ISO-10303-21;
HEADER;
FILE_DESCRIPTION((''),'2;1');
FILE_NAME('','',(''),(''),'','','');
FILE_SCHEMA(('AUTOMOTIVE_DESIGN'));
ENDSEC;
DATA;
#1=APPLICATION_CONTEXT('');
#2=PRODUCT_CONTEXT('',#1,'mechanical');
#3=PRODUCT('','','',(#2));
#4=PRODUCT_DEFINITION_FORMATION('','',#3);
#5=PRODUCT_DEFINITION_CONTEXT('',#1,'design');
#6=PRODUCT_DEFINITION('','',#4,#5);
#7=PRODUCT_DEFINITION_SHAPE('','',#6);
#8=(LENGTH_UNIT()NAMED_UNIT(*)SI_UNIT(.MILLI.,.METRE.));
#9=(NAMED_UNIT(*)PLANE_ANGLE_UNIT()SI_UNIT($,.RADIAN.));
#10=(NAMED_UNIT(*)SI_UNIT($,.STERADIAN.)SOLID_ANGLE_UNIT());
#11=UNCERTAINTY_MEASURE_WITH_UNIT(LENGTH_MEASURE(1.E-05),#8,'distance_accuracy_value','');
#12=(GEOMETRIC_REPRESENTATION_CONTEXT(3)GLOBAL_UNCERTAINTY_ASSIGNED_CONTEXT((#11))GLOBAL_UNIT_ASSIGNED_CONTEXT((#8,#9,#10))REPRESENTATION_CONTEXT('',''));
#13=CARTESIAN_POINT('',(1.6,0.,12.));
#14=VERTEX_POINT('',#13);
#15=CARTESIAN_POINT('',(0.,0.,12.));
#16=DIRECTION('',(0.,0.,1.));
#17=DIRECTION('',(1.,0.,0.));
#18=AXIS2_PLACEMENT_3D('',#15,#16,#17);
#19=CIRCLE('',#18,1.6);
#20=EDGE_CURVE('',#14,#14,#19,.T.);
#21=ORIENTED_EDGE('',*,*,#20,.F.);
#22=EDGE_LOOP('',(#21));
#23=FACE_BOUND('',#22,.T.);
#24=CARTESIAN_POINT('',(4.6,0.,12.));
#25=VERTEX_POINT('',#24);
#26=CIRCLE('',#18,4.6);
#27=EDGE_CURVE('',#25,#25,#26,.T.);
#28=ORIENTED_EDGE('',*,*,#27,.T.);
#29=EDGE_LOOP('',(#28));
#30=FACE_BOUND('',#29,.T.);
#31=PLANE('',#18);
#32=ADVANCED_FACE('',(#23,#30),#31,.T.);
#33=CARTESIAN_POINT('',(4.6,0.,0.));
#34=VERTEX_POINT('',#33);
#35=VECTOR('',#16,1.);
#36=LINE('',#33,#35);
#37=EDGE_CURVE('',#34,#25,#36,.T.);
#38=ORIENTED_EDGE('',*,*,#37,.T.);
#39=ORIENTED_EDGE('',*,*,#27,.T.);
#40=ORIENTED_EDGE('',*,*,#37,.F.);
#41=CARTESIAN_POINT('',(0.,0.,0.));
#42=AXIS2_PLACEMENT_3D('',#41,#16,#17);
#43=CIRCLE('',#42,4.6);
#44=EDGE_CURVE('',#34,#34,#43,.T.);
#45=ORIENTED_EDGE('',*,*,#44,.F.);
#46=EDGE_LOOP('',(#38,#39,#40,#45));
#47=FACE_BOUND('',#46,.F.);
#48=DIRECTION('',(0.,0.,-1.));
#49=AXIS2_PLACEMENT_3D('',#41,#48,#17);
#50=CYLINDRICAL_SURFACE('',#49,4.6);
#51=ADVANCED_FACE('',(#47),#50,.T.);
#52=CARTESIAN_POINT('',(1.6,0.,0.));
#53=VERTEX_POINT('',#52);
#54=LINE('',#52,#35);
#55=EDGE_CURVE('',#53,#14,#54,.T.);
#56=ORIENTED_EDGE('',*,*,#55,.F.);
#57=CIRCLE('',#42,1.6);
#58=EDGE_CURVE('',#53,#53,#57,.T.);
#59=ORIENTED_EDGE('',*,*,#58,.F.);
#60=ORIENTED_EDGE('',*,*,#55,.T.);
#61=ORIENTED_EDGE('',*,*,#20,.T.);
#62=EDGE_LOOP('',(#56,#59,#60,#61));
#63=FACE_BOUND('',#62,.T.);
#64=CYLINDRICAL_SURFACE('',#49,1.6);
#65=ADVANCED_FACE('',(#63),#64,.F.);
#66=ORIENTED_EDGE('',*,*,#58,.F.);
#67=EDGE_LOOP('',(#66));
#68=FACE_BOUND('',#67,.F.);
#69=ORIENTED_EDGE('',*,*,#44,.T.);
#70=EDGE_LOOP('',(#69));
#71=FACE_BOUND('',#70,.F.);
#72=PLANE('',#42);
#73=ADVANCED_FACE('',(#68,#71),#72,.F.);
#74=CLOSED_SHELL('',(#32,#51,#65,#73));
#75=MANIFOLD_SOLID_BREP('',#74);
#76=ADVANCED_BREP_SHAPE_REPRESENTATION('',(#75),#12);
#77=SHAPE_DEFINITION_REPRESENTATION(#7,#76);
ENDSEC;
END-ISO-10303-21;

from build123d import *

# Parameters (mm, degrees)
SKETCH_R   = 4.6
SKETCH_R_2 = 1.6
PAD_DEPTH  = 12


with BuildPart() as part:
    # Sketch → Pad (new body)
    with BuildSketch(Plane.XY):
        Circle(SKETCH_R)
        Circle(SKETCH_R_2, mode=Mode.SUBTRACT)
    extrude(amount=PAD_DEPTH)


solid = part.part
